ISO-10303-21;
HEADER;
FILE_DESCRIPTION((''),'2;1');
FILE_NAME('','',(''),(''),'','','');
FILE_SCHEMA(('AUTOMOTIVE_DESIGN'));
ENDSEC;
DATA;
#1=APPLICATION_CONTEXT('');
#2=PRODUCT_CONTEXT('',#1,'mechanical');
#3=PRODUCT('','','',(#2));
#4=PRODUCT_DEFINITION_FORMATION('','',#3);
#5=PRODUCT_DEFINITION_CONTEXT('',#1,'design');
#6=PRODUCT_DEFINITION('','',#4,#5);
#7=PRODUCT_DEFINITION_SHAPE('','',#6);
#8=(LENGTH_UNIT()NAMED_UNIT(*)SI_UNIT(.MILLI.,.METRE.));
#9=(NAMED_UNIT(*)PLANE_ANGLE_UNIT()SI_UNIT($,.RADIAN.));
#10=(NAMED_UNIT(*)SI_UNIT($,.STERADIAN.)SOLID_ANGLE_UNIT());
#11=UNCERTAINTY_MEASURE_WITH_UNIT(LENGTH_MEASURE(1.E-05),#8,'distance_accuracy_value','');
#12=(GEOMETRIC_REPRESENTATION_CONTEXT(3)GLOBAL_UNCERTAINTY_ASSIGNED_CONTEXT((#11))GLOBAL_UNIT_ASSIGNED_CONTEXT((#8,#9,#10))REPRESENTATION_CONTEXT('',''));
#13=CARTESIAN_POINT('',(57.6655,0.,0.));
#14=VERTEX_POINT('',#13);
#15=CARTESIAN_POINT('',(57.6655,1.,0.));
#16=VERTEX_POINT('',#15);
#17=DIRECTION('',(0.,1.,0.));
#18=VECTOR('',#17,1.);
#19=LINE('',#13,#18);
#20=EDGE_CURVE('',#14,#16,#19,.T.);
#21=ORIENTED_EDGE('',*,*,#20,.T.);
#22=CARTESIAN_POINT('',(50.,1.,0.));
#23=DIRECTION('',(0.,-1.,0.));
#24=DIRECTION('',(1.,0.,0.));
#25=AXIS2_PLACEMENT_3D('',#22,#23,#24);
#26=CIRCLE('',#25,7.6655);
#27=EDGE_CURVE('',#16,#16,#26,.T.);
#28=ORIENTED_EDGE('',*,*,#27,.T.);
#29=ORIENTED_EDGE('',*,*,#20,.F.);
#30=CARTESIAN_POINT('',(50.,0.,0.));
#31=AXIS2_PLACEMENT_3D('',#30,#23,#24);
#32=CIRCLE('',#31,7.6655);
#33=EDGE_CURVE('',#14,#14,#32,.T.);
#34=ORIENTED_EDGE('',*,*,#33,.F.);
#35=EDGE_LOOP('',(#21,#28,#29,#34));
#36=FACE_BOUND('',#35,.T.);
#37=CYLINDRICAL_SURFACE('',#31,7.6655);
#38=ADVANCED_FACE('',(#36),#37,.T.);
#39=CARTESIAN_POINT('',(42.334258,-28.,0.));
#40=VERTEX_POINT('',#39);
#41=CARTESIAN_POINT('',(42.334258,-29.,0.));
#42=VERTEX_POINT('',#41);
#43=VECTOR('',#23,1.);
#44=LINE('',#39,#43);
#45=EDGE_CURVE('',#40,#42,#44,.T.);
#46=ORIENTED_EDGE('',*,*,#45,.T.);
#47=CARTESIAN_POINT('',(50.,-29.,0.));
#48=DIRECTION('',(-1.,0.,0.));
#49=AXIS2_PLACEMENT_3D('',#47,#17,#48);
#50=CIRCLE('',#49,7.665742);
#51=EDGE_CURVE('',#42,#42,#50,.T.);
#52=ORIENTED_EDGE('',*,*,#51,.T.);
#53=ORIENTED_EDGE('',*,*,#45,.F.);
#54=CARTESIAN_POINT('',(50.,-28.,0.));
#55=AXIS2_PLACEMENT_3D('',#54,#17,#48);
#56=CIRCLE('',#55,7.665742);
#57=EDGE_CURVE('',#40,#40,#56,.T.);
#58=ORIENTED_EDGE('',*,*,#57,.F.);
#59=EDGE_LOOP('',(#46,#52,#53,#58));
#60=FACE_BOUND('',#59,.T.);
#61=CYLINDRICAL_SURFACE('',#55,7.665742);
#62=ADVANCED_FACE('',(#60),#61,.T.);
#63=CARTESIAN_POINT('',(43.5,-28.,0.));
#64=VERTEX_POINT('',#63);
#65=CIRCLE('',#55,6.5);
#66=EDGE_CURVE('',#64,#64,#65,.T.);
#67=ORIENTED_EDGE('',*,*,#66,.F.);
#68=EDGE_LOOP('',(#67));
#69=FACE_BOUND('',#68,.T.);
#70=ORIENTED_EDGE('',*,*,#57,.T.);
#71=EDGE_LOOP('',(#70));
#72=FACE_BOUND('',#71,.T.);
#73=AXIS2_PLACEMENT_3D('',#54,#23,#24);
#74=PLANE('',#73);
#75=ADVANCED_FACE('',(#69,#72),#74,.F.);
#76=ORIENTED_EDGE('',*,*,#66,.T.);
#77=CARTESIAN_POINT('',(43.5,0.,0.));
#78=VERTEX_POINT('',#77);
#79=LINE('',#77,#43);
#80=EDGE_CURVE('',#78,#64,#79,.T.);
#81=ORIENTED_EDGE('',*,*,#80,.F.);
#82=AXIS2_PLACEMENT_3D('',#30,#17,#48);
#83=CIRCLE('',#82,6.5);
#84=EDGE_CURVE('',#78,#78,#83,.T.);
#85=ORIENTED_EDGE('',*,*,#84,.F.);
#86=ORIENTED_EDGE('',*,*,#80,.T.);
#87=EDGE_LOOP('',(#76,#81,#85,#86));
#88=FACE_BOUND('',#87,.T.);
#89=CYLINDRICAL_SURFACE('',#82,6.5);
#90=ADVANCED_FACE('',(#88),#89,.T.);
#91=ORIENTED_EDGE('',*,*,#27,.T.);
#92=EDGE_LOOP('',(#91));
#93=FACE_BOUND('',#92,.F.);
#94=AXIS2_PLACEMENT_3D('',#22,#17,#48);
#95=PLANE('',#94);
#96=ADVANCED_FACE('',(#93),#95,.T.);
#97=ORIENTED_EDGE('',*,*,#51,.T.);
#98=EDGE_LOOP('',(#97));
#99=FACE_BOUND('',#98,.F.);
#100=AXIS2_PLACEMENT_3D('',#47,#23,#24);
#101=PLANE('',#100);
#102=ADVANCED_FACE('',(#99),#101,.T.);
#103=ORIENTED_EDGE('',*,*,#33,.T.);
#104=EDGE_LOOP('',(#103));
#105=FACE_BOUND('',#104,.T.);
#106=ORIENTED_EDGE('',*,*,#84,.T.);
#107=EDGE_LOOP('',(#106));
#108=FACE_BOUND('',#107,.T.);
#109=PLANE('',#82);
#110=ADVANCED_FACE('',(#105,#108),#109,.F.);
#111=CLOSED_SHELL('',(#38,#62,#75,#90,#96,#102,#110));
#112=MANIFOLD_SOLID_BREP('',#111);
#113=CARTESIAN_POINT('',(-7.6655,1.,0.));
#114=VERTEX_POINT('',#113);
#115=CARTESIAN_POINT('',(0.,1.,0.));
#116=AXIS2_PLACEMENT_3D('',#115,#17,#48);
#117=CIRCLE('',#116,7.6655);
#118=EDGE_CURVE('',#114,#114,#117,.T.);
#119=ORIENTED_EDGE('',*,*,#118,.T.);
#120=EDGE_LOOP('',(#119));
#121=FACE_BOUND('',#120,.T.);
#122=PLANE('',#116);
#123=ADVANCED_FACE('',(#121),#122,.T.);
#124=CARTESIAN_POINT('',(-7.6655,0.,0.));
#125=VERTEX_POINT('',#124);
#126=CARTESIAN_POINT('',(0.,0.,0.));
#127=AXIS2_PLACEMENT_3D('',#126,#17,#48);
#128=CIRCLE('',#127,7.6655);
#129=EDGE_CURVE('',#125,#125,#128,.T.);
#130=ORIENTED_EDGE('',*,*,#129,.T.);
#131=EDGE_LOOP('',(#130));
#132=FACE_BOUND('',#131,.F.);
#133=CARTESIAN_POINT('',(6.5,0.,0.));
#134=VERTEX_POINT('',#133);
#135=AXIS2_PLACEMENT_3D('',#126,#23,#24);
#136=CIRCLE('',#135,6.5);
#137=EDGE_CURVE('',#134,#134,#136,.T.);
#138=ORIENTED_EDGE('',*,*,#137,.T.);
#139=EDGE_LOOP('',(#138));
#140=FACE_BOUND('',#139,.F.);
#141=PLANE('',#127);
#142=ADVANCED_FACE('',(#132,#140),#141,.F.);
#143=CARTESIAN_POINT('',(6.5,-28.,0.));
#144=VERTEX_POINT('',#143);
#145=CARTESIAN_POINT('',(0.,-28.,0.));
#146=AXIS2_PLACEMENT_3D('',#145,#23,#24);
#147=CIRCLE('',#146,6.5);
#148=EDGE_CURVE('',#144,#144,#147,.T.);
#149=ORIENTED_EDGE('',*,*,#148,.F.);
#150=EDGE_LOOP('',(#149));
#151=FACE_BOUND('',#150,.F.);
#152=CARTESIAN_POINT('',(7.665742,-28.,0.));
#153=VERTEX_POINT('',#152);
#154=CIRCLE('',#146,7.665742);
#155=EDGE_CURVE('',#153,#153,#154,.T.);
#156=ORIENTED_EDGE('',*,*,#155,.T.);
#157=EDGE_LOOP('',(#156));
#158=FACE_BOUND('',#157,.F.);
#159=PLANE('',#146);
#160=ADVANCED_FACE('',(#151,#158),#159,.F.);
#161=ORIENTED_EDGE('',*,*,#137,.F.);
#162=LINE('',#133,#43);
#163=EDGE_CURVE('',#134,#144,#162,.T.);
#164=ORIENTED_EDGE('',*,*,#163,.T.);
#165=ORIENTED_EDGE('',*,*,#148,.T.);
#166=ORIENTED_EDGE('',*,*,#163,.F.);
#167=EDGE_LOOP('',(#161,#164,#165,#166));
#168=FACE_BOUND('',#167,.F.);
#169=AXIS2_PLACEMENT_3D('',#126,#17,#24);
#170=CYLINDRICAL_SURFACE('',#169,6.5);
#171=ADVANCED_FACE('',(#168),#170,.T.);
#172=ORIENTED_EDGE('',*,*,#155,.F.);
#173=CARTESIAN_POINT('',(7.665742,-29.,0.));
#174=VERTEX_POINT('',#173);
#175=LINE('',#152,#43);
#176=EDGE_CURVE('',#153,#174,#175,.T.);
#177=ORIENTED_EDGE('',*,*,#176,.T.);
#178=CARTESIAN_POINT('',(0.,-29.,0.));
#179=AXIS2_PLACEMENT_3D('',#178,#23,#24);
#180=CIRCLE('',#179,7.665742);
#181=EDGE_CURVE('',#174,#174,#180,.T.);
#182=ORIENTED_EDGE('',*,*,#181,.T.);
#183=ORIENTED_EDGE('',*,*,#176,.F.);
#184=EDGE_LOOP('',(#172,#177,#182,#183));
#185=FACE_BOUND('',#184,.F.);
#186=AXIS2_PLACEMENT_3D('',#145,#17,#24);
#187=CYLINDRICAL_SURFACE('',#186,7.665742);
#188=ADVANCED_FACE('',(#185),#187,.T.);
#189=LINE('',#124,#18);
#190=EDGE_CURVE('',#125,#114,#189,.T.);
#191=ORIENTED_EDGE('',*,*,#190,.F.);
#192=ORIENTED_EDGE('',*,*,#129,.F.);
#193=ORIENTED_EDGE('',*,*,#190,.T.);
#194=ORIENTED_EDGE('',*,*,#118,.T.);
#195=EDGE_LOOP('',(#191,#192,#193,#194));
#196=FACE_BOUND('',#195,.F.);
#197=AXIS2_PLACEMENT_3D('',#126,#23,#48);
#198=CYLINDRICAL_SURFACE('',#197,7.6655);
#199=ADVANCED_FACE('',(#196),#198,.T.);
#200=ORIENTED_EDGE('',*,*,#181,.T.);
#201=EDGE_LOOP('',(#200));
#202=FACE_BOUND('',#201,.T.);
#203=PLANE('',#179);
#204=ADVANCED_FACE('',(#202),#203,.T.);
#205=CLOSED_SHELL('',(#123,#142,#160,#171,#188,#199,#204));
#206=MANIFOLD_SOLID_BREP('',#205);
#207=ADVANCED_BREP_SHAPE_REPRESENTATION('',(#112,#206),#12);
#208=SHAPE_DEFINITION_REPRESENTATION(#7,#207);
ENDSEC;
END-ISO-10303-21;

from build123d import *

# Parameters (mm, degrees)
F0_R     = 6.5
F1_DEPTH = 28
F2_R     = 7.665742
F4_DEPTH = 1
F3_R     = 7.6655
F5_DEPTH = 1


with BuildPart() as f1:
    # F0 (on Front) → F1 (new body)
    with BuildSketch(Plane.XZ):
        Circle(F0_R)
    extrude(amount=F1_DEPTH)

    # F2 (on face) → F4 (join)
    with BuildSketch(Plane.XZ.offset(28)):
        Circle(F2_R)
    extrude(amount=F4_DEPTH)

    # F3 (on face) → F5 (join)
    with BuildSketch(Plane(origin=(0, 0, 0), x_dir=(-1, 0, 0), z_dir=(0, 1, 0))):
        Circle(F3_R)
    extrude(amount=F5_DEPTH)


with BuildPart() as f7_1:
    # F7: instance of F1
    add(f1.part.mirror(Plane.YZ.offset(25)))


solid = Compound([f1.part, f7_1.part])
